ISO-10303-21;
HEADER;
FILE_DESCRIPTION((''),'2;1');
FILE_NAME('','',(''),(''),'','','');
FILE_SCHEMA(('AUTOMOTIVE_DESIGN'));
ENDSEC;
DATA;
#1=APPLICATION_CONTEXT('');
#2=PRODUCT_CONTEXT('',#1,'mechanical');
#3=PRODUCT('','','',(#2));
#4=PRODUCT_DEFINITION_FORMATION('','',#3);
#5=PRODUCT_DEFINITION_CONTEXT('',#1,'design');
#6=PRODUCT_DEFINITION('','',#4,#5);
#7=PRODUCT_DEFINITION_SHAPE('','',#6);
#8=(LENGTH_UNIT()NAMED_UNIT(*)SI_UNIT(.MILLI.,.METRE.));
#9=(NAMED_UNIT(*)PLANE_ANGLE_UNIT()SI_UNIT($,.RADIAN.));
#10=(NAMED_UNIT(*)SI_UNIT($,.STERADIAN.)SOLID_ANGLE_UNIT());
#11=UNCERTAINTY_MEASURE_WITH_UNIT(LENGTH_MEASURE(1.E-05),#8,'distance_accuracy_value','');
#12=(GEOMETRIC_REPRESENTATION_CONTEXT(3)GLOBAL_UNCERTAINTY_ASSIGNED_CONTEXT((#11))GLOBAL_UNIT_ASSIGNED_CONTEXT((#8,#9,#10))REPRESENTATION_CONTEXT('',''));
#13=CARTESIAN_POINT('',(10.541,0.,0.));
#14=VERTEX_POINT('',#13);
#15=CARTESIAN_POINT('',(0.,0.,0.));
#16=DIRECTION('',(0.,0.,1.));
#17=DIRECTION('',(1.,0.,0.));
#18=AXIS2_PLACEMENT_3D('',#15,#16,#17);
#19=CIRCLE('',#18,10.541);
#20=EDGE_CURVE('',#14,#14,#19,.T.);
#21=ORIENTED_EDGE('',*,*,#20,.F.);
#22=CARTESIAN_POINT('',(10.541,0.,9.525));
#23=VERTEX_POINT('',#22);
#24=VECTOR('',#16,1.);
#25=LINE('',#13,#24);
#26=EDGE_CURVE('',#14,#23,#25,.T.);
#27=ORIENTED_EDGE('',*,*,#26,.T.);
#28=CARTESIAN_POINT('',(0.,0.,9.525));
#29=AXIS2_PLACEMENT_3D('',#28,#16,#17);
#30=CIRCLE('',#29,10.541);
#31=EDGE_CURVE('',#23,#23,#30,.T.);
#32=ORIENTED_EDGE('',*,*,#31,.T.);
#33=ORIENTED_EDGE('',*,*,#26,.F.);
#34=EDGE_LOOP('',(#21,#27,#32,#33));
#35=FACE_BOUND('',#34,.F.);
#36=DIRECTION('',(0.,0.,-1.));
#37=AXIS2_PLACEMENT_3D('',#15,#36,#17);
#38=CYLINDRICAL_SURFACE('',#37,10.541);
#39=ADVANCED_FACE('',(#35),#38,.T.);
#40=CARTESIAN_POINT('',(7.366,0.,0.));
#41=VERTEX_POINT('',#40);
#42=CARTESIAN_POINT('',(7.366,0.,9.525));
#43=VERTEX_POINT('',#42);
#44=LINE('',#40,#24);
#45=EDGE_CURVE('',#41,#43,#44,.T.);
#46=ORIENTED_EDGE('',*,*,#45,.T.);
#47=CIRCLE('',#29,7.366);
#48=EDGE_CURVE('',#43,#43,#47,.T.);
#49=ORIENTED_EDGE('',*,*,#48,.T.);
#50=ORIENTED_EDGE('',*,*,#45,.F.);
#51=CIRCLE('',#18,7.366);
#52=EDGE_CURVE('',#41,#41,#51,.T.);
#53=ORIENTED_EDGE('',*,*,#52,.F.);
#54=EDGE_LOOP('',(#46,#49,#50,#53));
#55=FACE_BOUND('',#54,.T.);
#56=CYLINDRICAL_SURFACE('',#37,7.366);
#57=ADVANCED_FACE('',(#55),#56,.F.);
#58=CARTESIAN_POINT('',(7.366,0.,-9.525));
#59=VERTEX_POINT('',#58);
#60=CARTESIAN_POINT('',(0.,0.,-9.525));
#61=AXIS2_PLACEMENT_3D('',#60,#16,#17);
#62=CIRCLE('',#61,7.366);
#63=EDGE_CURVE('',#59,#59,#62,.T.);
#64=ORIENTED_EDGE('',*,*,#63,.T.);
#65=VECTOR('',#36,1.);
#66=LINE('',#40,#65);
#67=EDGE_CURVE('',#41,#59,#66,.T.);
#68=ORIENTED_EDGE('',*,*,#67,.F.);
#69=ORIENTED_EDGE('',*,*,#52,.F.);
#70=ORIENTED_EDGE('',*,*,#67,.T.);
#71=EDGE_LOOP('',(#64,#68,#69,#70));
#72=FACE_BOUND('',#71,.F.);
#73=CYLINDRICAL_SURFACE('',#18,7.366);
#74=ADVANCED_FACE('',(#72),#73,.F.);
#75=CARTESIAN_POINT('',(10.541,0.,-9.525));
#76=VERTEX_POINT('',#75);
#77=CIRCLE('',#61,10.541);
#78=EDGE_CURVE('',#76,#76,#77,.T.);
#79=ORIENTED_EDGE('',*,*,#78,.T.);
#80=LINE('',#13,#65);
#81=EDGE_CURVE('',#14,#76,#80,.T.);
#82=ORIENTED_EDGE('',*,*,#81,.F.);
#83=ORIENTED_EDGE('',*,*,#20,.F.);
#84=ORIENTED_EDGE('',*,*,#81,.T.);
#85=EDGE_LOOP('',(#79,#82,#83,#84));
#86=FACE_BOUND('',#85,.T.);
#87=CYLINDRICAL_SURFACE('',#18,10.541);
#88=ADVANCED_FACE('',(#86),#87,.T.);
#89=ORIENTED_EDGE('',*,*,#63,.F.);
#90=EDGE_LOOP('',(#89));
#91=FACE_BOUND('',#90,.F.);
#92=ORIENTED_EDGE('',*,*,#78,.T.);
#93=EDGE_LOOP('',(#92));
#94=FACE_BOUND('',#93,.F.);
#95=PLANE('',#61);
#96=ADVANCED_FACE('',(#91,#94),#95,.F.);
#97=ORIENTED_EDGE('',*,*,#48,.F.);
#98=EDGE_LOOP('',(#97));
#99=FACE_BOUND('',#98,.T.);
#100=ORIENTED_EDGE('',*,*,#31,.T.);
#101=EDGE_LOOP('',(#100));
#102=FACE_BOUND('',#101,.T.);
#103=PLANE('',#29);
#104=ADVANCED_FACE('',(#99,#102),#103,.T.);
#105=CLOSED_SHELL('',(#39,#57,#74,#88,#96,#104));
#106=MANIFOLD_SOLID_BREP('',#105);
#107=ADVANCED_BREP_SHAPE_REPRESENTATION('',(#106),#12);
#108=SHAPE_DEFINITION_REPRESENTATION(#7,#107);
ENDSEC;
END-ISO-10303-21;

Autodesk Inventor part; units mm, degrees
ref_plane "YZ Plane" through (0, 0, 0) normal (1, 0, 0) x (0, 1, 0)
ref_plane "XZ Plane" through (0, 0, 0) normal (0, 1, 0) x (-1, 0, 0)
ref_plane "XY Plane" through (0, 0, 0) normal (0, 0, 1) x (1, 0, 0)
sketch "Sketch1" plane through (0, 0, 0) normal (0, 0, 1) x (1, 0, 0)
  circle A0 centre (0, 0) radius 7.366
  circle A1 centre (0, 0) radius 10.541
  dimension "Hex" = 14.732
  dimension "Thickness" = 3.175
extrude "Extrusion1" add sketch "Sketch1" along normal mid plane 19.05
equation "\"Tolerance_H\" = 0.3"
equation "\"Size\" = 12.7"
equation "\"Length\" = 30.2768"
equation "\"Tolerance_L\" = 0.508"
equation "\"Final_Metric\" = Hex"
equation "\"Thunder\" = 13.7541"
properties part number "EL2-GB-004Spacer" material "ABS Plastic"
